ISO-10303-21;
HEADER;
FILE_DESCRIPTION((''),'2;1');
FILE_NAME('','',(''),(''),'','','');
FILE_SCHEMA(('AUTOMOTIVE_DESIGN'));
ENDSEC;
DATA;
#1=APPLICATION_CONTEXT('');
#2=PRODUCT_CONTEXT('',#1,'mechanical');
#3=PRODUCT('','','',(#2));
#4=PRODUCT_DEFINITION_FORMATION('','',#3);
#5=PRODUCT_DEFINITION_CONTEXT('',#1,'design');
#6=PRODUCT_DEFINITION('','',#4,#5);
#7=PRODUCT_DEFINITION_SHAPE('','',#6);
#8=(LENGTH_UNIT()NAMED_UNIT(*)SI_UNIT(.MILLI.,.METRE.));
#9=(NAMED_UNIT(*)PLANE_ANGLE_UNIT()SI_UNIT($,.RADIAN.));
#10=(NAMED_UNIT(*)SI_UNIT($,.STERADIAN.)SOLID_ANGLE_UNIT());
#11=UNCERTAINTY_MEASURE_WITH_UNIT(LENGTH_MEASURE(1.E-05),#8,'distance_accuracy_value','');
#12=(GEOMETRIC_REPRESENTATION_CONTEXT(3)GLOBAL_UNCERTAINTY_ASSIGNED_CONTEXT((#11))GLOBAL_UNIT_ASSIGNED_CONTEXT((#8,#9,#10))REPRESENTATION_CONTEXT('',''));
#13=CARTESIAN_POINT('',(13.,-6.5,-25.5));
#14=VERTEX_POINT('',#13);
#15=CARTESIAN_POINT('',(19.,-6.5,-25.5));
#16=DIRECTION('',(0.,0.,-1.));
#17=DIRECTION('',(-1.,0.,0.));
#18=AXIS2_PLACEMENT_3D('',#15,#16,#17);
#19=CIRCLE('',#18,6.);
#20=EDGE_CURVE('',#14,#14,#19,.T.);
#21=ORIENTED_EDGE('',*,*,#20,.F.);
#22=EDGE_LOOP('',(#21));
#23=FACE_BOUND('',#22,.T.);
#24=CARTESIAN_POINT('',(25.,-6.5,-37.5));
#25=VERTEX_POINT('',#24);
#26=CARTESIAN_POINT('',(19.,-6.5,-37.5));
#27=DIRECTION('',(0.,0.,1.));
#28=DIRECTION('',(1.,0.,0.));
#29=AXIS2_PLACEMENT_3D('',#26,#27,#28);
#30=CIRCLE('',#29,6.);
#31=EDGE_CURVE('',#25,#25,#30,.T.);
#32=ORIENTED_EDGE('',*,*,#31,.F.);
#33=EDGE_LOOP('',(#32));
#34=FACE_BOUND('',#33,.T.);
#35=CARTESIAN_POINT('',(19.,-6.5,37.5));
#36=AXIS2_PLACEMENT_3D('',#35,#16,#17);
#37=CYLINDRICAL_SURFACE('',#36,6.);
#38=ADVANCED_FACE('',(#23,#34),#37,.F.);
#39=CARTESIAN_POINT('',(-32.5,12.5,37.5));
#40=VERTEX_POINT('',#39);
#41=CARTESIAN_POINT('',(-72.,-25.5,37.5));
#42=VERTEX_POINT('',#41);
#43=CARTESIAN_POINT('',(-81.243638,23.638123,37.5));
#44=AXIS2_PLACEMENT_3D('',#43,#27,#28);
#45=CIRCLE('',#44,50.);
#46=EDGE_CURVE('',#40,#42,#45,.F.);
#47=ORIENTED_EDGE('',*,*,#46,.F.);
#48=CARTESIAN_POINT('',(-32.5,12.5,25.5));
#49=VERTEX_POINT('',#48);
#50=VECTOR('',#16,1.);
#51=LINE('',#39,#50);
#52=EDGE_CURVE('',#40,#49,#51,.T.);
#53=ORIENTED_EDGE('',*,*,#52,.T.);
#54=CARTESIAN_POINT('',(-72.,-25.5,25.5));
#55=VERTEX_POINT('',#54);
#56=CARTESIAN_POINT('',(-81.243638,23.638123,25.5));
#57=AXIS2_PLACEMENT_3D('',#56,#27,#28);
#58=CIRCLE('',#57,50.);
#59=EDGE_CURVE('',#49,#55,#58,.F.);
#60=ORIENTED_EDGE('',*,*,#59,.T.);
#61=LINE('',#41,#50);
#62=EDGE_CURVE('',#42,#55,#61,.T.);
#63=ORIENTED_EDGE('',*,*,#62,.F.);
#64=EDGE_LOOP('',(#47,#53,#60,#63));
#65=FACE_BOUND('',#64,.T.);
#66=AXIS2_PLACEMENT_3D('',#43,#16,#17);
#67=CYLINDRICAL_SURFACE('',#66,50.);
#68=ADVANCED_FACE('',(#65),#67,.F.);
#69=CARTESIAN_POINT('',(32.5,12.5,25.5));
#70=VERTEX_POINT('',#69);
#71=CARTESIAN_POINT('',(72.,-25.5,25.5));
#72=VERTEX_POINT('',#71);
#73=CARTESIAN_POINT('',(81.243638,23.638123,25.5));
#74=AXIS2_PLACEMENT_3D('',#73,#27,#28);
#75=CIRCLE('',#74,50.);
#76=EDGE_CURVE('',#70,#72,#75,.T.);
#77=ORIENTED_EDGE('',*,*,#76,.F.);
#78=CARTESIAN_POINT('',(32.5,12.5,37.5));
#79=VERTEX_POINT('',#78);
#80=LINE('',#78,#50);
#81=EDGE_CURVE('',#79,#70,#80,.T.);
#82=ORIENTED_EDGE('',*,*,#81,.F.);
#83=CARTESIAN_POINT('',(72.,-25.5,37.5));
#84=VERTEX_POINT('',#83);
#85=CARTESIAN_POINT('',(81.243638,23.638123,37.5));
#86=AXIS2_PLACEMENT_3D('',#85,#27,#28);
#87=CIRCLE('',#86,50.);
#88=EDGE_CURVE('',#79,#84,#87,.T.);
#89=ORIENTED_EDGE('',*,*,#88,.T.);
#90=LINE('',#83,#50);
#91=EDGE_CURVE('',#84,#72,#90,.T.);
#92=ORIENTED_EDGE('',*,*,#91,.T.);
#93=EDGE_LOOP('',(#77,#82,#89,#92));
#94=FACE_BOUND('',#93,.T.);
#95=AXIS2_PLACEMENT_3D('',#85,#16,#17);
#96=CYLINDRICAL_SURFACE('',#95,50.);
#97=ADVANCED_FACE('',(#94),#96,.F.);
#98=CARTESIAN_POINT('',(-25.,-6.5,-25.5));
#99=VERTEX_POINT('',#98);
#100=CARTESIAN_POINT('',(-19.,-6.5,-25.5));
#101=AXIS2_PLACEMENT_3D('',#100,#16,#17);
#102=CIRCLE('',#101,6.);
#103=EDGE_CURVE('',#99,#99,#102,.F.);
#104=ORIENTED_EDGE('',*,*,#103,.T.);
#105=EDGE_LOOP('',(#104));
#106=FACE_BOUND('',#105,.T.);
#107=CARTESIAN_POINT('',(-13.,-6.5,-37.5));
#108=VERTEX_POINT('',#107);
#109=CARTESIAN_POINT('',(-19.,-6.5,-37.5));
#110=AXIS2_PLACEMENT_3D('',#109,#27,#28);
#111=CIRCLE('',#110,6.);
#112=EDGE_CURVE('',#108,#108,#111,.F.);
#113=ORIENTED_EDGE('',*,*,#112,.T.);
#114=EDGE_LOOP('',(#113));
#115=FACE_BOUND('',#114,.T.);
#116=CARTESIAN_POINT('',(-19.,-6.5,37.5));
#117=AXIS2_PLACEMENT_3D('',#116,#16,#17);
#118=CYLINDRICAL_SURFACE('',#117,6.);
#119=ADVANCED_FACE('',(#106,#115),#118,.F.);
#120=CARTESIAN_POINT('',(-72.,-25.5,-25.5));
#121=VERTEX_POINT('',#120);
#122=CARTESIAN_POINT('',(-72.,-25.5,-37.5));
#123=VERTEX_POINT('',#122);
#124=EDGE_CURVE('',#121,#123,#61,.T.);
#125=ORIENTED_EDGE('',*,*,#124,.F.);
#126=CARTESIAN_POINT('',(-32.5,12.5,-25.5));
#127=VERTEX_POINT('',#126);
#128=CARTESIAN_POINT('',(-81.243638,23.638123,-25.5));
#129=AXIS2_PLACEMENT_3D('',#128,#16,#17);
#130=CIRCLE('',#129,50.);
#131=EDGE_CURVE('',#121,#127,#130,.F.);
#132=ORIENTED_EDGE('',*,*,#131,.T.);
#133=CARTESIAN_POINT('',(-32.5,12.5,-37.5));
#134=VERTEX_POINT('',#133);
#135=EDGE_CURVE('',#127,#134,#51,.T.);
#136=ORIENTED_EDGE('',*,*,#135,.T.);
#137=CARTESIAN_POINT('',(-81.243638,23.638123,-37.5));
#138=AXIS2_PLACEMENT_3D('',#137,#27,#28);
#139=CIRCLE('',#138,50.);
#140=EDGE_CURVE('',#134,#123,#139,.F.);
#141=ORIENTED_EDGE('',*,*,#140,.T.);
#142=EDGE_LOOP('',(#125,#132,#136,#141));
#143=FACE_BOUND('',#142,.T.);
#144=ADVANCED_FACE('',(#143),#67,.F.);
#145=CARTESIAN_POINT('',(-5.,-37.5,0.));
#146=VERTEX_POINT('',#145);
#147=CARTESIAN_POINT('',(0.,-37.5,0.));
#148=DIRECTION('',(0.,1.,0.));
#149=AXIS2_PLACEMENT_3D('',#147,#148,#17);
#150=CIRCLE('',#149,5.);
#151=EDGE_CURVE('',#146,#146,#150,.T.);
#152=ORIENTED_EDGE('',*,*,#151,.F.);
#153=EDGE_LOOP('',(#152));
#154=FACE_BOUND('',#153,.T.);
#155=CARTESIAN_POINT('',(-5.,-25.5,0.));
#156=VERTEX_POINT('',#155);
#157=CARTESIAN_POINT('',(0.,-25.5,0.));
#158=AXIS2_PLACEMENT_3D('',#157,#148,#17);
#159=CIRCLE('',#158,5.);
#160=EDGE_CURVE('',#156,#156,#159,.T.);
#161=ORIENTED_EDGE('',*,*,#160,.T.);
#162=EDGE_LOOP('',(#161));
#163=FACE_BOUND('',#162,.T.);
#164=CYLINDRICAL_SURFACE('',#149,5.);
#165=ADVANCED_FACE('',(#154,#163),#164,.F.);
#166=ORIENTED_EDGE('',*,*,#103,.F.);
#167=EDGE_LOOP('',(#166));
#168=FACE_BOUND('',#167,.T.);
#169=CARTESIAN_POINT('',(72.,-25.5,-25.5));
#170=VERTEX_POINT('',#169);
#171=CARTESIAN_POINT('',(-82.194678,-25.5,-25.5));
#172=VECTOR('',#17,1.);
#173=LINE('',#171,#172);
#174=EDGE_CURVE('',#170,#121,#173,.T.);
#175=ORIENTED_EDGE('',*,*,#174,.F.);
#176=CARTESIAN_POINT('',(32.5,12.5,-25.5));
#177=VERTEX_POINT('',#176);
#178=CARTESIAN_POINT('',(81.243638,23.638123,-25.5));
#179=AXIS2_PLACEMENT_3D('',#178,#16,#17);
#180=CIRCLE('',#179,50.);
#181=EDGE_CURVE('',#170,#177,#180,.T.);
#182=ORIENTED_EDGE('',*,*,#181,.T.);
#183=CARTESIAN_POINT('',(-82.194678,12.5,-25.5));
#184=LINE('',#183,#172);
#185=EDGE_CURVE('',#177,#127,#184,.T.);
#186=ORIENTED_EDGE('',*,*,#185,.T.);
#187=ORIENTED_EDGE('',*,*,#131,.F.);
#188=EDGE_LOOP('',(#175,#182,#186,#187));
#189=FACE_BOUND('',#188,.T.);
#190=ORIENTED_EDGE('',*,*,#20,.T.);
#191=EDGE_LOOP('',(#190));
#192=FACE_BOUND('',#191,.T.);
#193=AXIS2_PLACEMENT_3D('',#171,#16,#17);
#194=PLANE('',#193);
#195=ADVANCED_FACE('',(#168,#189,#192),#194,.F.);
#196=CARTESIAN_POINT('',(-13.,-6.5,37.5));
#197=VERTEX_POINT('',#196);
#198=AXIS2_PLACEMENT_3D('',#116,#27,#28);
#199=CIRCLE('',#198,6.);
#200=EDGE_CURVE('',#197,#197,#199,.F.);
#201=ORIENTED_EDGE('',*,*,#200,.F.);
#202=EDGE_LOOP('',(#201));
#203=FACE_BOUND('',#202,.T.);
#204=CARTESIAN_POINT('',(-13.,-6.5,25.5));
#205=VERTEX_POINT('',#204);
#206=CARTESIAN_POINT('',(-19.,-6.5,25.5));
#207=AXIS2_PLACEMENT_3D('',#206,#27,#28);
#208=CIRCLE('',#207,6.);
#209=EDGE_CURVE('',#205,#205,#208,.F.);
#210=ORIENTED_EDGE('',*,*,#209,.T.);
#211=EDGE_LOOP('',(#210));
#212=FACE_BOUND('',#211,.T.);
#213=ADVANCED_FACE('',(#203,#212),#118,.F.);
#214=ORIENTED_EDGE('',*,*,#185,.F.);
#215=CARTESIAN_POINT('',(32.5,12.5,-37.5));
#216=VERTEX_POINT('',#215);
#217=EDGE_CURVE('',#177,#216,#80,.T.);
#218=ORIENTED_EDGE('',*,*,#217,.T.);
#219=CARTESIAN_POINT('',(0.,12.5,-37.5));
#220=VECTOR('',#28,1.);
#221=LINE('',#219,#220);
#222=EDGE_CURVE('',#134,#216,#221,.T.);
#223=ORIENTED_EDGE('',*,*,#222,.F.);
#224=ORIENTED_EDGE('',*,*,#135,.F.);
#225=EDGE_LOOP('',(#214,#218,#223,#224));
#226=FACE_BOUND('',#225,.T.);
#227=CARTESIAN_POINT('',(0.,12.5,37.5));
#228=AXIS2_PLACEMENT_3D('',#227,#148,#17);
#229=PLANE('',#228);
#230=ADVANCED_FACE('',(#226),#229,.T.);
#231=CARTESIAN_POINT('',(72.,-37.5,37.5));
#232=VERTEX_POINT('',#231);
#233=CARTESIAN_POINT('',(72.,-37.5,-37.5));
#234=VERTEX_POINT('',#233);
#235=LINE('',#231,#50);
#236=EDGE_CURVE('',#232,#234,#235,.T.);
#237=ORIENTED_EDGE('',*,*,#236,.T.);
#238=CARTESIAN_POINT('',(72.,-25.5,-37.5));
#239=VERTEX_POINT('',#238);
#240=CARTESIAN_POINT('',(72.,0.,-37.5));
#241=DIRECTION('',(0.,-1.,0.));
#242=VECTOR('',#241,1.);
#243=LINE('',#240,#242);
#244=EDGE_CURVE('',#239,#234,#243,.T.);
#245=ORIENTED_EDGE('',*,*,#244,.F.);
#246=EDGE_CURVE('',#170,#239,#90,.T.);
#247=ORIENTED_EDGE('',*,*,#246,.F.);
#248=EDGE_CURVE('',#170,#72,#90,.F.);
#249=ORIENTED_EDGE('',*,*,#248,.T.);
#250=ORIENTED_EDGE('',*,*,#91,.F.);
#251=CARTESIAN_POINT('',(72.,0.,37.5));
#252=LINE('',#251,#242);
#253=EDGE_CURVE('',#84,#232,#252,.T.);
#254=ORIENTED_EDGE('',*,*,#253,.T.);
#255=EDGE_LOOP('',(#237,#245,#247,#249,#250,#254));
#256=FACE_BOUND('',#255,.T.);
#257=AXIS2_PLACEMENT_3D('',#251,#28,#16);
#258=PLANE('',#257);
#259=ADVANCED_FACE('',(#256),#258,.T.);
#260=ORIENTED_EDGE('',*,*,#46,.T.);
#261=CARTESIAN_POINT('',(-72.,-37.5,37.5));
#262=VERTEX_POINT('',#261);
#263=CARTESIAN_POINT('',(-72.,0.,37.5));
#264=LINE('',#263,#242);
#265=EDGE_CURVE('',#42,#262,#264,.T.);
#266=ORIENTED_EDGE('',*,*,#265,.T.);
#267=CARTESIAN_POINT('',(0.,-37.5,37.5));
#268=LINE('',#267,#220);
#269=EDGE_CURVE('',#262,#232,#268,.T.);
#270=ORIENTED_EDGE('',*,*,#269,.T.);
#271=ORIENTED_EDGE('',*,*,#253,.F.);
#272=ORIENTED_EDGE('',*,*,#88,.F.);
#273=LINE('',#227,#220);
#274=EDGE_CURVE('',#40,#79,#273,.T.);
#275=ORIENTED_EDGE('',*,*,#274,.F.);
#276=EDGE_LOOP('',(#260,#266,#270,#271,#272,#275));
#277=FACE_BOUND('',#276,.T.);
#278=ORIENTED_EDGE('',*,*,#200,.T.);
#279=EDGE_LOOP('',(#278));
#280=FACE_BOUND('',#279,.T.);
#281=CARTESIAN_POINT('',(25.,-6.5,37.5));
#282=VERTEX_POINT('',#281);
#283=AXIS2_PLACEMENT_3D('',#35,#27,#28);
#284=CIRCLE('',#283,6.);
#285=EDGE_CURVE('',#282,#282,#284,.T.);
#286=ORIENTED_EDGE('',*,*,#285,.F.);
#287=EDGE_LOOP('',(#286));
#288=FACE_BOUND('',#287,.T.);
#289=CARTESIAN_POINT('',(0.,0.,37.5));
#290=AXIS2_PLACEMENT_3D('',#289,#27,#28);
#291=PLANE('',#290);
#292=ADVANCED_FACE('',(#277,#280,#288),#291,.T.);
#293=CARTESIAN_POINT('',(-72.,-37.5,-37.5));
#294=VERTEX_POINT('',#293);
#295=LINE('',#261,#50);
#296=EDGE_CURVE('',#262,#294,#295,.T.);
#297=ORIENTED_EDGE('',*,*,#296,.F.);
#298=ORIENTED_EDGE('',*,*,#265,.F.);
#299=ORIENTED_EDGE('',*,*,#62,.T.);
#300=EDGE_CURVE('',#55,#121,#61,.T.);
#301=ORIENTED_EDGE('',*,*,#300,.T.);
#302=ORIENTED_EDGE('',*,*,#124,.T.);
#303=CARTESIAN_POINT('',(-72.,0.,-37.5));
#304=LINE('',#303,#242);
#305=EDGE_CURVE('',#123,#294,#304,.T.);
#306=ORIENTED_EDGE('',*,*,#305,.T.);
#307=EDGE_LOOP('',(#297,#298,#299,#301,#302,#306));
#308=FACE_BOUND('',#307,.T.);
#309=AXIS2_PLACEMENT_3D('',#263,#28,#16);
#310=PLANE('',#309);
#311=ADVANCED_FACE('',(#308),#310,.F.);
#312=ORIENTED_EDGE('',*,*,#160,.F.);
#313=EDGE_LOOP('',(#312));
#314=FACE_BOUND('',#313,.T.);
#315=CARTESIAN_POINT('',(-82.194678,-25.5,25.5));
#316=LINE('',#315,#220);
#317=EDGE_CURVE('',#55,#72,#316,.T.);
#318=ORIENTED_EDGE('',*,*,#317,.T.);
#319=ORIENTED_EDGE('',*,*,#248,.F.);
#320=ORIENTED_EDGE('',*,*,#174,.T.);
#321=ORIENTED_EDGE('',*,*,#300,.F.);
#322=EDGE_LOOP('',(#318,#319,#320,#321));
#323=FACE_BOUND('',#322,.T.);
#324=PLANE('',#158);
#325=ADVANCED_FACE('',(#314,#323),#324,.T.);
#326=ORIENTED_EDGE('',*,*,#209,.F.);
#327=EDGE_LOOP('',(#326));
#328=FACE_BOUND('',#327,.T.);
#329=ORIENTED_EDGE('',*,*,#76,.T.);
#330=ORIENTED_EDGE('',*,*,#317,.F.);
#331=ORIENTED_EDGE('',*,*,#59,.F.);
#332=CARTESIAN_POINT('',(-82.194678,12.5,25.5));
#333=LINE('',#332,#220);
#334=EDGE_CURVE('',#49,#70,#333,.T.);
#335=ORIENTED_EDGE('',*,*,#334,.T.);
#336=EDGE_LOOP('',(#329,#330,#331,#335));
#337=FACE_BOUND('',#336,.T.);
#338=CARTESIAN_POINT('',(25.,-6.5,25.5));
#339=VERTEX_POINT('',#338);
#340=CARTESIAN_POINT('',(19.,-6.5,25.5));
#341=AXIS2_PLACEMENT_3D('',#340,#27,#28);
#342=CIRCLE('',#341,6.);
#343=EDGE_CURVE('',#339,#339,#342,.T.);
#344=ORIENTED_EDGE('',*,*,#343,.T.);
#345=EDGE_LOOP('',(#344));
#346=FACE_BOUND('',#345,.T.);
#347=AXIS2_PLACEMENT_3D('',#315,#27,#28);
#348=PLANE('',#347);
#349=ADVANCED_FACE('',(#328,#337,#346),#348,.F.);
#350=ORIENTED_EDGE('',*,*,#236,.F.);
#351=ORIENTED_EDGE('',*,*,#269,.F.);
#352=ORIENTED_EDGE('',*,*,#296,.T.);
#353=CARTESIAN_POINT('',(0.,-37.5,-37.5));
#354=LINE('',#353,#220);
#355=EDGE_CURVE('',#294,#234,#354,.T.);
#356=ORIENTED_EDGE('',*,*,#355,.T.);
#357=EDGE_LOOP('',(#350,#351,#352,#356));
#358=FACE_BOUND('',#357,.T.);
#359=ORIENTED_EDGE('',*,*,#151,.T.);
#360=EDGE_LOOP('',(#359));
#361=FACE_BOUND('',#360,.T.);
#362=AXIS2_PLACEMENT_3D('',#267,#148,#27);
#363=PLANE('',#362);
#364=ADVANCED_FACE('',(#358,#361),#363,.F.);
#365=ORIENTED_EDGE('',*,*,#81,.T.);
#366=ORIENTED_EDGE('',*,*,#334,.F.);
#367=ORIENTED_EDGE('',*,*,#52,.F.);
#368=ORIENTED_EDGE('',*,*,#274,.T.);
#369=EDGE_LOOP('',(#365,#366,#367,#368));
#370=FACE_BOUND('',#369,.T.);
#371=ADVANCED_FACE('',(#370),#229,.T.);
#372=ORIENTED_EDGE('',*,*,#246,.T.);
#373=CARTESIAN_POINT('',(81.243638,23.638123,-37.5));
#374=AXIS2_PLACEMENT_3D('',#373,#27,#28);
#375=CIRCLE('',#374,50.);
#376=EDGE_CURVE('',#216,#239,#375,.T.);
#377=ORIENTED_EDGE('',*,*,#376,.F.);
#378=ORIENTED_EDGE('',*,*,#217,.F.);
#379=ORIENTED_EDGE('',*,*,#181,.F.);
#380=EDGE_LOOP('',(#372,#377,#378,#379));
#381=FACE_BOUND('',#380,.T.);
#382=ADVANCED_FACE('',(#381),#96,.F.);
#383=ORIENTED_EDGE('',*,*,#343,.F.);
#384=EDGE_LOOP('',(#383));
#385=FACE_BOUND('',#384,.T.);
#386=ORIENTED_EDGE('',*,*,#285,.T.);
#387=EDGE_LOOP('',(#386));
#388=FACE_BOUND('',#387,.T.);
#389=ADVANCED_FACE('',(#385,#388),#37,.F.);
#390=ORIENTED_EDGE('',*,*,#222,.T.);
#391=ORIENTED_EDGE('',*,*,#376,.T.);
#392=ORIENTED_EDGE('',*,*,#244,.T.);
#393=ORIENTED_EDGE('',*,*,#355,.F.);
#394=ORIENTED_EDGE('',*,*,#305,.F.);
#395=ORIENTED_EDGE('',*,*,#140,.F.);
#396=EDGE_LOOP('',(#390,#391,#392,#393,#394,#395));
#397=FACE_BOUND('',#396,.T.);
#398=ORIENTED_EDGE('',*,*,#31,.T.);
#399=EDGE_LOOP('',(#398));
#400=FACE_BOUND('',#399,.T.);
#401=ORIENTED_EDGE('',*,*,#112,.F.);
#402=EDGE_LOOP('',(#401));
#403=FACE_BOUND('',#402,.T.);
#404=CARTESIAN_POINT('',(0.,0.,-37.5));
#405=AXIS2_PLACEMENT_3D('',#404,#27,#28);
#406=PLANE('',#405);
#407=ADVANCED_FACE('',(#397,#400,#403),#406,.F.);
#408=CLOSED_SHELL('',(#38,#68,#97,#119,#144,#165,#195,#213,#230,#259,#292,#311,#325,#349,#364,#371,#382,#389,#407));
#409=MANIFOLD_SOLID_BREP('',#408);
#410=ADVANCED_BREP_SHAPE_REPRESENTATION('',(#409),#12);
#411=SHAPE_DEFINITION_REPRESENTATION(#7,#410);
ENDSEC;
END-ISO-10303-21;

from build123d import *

# Parameters (mm, degrees)
SKETCH1_R           = 6
SKETCH1_W           = 72
SKETCH1_H           = 12
BOSS_EXTRUDE1_DEPTH = 37.5
SKETCH2_W           = 164.389356844
SKETCH2_H           = 51
CUT_EXTRUDE1_DEPTH  = 38
SKETCH3_R           = 5
CUT_EXTRUDE2_DEPTH  = 90.633977932


with BuildPart() as part:
    # Sketch1 → Boss-Extrude1 (new, symmetric)
    # profile 1 of 4: a face of its own
    with BuildSketch(Plane.XY):
        with BuildLine():
            ThreePointArc((-32.5, 12.5), (-46.579087682, -12.39476412), (-72, -25.5))
            Line((-72, -25.5), (0, -25.5))
            Line((0, -25.5), (0, 12.5))
            Line((0, 12.5), (-32.5, 12.5))
        make_face()
        with Locations((-19, -6.5)):
            Circle(SKETCH1_R, mode=Mode.SUBTRACT)
    # profile 2 of 4: a face of its own
    with BuildSketch(Plane.XY):
        with BuildLine():
            Line((0, 12.5), (0, -25.5))
            Line((0, -25.5), (72, -25.5))
            ThreePointArc((72, -25.5), (46.579087682, -12.39476412), (32.5, 12.5))
            Line((32.5, 12.5), (0, 12.5))
        make_face()
        with Locations((19, -6.5)):
            Circle(SKETCH1_R, mode=Mode.SUBTRACT)
    # profile 3 of 4: a face of its own
    with BuildSketch(Plane.XY):
        with Locations((-36, -31.5)):
            Rectangle(SKETCH1_W, SKETCH1_H)
    # profile 4 of 4: a face of its own
    with BuildSketch(Plane.XY):
        with Locations((36, -31.5)):
            Rectangle(SKETCH1_W, SKETCH1_H)
    extrude(amount=BOSS_EXTRUDE1_DEPTH, both=True)

    # Sketch2 → Cut-Extrude1 (cut)
    with BuildSketch(Plane(origin=(0, 12.5, 0), x_dir=(1, 0, 0), z_dir=(0, 1, 0))):
        Rectangle(SKETCH2_W, SKETCH2_H)
    extrude(amount=-CUT_EXTRUDE1_DEPTH, mode=Mode.SUBTRACT)

    # Sketch3 → Cut-Extrude2 (cut, through all)
    with BuildSketch(Plane(origin=(0, -25.5, 0), x_dir=(1, 0, 0), z_dir=(0, 1, 0))):
        with Locations(Location((0, 0, 0), (0, 0, 180))):
            Circle(SKETCH3_R)
    extrude(amount=-CUT_EXTRUDE2_DEPTH, mode=Mode.SUBTRACT)


solid = part.part
